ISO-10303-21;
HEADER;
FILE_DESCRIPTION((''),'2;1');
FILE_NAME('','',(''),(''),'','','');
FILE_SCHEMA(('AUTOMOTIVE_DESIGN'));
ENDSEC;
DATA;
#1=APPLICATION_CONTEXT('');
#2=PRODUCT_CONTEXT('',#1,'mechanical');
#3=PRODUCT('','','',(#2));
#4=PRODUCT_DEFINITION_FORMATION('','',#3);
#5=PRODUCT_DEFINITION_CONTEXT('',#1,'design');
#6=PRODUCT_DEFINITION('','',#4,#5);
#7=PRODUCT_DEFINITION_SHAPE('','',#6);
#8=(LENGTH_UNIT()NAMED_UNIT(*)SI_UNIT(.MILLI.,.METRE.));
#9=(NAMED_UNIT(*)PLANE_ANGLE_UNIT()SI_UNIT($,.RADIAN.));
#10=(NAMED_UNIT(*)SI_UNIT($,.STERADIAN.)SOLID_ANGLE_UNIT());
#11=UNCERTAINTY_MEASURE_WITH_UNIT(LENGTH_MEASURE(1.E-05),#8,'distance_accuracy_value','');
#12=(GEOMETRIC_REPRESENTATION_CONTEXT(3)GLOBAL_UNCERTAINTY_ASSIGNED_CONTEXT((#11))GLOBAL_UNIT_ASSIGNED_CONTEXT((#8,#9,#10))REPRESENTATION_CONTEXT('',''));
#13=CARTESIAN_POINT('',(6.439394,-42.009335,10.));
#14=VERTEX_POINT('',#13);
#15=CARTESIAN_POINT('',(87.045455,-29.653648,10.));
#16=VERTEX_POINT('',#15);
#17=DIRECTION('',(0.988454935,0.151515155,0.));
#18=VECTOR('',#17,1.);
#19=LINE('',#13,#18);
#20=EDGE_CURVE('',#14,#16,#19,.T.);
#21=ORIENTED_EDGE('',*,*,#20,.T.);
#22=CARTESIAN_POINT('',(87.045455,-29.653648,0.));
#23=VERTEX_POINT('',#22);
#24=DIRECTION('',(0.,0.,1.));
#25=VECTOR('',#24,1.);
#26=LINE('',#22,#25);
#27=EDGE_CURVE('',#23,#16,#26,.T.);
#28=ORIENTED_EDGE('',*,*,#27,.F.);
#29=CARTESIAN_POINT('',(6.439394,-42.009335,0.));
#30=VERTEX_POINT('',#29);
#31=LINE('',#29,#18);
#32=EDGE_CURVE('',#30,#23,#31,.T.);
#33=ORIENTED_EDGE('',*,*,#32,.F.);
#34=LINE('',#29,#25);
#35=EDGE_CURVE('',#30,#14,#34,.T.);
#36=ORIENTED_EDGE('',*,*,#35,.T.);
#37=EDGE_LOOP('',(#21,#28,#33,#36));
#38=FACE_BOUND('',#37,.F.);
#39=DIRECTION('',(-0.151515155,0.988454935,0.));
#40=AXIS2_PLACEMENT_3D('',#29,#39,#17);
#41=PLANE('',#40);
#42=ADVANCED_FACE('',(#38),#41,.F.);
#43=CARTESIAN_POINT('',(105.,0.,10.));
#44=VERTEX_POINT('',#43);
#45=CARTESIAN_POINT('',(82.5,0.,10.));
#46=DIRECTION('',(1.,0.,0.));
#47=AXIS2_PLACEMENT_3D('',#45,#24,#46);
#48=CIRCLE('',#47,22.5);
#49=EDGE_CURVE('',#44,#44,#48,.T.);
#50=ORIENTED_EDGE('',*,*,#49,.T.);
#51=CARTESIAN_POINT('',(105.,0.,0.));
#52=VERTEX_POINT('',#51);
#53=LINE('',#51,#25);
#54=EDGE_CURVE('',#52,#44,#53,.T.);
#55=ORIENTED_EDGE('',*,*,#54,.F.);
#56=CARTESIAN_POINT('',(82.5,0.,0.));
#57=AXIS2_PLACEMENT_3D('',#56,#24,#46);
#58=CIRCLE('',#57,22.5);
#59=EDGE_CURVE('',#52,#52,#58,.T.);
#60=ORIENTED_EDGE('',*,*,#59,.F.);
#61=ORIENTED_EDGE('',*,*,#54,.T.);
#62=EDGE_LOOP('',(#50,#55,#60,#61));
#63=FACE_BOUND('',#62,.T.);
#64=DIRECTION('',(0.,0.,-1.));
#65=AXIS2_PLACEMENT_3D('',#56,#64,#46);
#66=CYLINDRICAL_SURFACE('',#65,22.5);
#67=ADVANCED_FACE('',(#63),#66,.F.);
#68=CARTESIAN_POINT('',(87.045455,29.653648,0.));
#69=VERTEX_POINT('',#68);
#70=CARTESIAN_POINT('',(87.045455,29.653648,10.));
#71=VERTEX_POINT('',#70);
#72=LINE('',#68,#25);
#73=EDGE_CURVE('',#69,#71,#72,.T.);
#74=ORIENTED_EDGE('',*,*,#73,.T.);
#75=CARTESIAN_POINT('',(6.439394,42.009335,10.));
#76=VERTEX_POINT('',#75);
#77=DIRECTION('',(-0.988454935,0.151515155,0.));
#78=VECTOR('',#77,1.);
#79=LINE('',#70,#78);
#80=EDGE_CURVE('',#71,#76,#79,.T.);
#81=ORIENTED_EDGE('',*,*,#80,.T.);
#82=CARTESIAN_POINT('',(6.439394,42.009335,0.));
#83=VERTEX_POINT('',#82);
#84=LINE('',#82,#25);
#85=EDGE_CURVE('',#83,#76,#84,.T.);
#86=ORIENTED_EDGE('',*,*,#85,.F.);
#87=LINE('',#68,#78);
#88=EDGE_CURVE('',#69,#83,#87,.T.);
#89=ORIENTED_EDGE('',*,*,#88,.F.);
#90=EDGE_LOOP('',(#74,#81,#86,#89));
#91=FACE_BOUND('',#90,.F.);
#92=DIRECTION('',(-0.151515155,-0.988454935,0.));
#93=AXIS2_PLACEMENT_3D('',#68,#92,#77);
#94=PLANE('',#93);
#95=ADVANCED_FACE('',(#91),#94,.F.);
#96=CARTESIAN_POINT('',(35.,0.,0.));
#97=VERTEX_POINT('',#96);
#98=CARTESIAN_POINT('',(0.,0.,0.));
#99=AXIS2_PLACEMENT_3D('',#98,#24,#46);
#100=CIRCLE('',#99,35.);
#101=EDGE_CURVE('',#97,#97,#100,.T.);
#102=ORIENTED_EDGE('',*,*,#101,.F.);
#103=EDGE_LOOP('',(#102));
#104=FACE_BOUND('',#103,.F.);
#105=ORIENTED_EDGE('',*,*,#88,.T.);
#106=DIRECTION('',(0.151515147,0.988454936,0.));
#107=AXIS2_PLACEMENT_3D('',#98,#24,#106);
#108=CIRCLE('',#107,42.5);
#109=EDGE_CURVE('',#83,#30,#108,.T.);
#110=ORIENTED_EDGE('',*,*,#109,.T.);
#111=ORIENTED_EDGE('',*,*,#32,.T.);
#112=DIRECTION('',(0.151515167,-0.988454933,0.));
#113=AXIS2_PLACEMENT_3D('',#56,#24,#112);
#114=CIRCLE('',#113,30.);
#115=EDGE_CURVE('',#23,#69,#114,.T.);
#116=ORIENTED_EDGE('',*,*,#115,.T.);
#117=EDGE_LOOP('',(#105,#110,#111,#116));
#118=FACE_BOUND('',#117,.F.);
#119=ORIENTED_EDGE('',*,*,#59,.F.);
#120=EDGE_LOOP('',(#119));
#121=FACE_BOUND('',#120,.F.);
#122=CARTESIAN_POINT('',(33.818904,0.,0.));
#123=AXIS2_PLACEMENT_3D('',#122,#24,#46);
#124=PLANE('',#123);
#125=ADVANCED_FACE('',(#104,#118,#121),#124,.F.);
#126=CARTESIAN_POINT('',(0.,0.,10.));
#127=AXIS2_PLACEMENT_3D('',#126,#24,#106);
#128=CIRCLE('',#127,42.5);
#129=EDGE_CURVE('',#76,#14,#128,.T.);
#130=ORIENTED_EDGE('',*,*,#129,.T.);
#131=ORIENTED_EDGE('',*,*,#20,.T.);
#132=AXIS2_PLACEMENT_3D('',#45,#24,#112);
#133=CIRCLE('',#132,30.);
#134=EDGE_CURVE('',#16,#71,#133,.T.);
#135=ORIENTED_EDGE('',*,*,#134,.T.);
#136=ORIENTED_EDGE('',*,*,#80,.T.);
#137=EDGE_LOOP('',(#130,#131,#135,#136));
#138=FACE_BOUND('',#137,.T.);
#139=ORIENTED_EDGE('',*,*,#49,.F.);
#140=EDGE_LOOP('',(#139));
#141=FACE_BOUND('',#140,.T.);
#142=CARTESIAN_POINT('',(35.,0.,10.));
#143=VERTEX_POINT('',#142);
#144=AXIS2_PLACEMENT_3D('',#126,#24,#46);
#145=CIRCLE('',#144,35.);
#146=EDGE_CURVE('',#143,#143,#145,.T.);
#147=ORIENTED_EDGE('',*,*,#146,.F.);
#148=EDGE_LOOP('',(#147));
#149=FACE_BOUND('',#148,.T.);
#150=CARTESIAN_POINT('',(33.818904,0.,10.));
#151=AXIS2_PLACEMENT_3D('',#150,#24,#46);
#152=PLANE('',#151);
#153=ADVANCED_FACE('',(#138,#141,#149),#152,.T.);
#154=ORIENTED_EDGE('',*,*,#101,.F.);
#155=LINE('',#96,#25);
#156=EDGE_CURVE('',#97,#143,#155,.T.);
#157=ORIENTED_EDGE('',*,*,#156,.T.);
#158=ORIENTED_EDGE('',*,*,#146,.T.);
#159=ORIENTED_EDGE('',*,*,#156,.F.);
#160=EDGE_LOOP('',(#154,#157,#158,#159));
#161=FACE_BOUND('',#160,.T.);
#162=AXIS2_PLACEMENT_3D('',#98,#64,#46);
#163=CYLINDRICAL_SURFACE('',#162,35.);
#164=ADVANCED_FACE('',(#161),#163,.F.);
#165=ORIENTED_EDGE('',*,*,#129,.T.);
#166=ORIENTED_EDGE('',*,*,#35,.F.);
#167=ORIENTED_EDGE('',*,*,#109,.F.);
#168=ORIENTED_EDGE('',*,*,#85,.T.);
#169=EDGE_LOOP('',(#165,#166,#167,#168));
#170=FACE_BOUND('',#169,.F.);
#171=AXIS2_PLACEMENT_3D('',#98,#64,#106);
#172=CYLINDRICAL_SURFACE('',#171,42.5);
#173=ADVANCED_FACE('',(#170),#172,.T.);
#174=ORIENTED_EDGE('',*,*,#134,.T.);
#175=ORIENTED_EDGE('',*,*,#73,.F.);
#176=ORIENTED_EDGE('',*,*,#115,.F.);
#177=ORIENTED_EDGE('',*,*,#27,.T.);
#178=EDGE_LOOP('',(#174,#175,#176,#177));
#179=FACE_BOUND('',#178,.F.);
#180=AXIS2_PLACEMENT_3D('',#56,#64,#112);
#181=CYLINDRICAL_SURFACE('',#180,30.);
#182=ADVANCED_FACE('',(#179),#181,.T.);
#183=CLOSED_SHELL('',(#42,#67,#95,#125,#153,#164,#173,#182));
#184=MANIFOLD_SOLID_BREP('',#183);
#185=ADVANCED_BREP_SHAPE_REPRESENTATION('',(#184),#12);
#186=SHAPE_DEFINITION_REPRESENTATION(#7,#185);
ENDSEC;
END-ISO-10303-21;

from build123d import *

# Parameters (mm, degrees)
F0_R     = 35
F0_R_2   = 22.5
F1_DEPTH = 10


with BuildPart() as f1:
    # F0 (on Top) → F1 (new body)
    with BuildSketch(Plane.XY):
        with BuildLine():
            Line((87.045455, 29.653648), (6.439394, 42.009335))
            ThreePointArc((6.439394, 42.009335), (-42.5, 0), (6.439394, -42.009335))
            Line((6.439394, -42.009335), (87.045455, -29.653648))
            ThreePointArc((87.045455, -29.653648), (112.5, 0), (87.045455, 29.653648))
        make_face()
        Circle(F0_R, mode=Mode.SUBTRACT)
        with Locations((82.5, 0)):
            Circle(F0_R_2, mode=Mode.SUBTRACT)
    extrude(amount=F1_DEPTH)


solid = f1.part
